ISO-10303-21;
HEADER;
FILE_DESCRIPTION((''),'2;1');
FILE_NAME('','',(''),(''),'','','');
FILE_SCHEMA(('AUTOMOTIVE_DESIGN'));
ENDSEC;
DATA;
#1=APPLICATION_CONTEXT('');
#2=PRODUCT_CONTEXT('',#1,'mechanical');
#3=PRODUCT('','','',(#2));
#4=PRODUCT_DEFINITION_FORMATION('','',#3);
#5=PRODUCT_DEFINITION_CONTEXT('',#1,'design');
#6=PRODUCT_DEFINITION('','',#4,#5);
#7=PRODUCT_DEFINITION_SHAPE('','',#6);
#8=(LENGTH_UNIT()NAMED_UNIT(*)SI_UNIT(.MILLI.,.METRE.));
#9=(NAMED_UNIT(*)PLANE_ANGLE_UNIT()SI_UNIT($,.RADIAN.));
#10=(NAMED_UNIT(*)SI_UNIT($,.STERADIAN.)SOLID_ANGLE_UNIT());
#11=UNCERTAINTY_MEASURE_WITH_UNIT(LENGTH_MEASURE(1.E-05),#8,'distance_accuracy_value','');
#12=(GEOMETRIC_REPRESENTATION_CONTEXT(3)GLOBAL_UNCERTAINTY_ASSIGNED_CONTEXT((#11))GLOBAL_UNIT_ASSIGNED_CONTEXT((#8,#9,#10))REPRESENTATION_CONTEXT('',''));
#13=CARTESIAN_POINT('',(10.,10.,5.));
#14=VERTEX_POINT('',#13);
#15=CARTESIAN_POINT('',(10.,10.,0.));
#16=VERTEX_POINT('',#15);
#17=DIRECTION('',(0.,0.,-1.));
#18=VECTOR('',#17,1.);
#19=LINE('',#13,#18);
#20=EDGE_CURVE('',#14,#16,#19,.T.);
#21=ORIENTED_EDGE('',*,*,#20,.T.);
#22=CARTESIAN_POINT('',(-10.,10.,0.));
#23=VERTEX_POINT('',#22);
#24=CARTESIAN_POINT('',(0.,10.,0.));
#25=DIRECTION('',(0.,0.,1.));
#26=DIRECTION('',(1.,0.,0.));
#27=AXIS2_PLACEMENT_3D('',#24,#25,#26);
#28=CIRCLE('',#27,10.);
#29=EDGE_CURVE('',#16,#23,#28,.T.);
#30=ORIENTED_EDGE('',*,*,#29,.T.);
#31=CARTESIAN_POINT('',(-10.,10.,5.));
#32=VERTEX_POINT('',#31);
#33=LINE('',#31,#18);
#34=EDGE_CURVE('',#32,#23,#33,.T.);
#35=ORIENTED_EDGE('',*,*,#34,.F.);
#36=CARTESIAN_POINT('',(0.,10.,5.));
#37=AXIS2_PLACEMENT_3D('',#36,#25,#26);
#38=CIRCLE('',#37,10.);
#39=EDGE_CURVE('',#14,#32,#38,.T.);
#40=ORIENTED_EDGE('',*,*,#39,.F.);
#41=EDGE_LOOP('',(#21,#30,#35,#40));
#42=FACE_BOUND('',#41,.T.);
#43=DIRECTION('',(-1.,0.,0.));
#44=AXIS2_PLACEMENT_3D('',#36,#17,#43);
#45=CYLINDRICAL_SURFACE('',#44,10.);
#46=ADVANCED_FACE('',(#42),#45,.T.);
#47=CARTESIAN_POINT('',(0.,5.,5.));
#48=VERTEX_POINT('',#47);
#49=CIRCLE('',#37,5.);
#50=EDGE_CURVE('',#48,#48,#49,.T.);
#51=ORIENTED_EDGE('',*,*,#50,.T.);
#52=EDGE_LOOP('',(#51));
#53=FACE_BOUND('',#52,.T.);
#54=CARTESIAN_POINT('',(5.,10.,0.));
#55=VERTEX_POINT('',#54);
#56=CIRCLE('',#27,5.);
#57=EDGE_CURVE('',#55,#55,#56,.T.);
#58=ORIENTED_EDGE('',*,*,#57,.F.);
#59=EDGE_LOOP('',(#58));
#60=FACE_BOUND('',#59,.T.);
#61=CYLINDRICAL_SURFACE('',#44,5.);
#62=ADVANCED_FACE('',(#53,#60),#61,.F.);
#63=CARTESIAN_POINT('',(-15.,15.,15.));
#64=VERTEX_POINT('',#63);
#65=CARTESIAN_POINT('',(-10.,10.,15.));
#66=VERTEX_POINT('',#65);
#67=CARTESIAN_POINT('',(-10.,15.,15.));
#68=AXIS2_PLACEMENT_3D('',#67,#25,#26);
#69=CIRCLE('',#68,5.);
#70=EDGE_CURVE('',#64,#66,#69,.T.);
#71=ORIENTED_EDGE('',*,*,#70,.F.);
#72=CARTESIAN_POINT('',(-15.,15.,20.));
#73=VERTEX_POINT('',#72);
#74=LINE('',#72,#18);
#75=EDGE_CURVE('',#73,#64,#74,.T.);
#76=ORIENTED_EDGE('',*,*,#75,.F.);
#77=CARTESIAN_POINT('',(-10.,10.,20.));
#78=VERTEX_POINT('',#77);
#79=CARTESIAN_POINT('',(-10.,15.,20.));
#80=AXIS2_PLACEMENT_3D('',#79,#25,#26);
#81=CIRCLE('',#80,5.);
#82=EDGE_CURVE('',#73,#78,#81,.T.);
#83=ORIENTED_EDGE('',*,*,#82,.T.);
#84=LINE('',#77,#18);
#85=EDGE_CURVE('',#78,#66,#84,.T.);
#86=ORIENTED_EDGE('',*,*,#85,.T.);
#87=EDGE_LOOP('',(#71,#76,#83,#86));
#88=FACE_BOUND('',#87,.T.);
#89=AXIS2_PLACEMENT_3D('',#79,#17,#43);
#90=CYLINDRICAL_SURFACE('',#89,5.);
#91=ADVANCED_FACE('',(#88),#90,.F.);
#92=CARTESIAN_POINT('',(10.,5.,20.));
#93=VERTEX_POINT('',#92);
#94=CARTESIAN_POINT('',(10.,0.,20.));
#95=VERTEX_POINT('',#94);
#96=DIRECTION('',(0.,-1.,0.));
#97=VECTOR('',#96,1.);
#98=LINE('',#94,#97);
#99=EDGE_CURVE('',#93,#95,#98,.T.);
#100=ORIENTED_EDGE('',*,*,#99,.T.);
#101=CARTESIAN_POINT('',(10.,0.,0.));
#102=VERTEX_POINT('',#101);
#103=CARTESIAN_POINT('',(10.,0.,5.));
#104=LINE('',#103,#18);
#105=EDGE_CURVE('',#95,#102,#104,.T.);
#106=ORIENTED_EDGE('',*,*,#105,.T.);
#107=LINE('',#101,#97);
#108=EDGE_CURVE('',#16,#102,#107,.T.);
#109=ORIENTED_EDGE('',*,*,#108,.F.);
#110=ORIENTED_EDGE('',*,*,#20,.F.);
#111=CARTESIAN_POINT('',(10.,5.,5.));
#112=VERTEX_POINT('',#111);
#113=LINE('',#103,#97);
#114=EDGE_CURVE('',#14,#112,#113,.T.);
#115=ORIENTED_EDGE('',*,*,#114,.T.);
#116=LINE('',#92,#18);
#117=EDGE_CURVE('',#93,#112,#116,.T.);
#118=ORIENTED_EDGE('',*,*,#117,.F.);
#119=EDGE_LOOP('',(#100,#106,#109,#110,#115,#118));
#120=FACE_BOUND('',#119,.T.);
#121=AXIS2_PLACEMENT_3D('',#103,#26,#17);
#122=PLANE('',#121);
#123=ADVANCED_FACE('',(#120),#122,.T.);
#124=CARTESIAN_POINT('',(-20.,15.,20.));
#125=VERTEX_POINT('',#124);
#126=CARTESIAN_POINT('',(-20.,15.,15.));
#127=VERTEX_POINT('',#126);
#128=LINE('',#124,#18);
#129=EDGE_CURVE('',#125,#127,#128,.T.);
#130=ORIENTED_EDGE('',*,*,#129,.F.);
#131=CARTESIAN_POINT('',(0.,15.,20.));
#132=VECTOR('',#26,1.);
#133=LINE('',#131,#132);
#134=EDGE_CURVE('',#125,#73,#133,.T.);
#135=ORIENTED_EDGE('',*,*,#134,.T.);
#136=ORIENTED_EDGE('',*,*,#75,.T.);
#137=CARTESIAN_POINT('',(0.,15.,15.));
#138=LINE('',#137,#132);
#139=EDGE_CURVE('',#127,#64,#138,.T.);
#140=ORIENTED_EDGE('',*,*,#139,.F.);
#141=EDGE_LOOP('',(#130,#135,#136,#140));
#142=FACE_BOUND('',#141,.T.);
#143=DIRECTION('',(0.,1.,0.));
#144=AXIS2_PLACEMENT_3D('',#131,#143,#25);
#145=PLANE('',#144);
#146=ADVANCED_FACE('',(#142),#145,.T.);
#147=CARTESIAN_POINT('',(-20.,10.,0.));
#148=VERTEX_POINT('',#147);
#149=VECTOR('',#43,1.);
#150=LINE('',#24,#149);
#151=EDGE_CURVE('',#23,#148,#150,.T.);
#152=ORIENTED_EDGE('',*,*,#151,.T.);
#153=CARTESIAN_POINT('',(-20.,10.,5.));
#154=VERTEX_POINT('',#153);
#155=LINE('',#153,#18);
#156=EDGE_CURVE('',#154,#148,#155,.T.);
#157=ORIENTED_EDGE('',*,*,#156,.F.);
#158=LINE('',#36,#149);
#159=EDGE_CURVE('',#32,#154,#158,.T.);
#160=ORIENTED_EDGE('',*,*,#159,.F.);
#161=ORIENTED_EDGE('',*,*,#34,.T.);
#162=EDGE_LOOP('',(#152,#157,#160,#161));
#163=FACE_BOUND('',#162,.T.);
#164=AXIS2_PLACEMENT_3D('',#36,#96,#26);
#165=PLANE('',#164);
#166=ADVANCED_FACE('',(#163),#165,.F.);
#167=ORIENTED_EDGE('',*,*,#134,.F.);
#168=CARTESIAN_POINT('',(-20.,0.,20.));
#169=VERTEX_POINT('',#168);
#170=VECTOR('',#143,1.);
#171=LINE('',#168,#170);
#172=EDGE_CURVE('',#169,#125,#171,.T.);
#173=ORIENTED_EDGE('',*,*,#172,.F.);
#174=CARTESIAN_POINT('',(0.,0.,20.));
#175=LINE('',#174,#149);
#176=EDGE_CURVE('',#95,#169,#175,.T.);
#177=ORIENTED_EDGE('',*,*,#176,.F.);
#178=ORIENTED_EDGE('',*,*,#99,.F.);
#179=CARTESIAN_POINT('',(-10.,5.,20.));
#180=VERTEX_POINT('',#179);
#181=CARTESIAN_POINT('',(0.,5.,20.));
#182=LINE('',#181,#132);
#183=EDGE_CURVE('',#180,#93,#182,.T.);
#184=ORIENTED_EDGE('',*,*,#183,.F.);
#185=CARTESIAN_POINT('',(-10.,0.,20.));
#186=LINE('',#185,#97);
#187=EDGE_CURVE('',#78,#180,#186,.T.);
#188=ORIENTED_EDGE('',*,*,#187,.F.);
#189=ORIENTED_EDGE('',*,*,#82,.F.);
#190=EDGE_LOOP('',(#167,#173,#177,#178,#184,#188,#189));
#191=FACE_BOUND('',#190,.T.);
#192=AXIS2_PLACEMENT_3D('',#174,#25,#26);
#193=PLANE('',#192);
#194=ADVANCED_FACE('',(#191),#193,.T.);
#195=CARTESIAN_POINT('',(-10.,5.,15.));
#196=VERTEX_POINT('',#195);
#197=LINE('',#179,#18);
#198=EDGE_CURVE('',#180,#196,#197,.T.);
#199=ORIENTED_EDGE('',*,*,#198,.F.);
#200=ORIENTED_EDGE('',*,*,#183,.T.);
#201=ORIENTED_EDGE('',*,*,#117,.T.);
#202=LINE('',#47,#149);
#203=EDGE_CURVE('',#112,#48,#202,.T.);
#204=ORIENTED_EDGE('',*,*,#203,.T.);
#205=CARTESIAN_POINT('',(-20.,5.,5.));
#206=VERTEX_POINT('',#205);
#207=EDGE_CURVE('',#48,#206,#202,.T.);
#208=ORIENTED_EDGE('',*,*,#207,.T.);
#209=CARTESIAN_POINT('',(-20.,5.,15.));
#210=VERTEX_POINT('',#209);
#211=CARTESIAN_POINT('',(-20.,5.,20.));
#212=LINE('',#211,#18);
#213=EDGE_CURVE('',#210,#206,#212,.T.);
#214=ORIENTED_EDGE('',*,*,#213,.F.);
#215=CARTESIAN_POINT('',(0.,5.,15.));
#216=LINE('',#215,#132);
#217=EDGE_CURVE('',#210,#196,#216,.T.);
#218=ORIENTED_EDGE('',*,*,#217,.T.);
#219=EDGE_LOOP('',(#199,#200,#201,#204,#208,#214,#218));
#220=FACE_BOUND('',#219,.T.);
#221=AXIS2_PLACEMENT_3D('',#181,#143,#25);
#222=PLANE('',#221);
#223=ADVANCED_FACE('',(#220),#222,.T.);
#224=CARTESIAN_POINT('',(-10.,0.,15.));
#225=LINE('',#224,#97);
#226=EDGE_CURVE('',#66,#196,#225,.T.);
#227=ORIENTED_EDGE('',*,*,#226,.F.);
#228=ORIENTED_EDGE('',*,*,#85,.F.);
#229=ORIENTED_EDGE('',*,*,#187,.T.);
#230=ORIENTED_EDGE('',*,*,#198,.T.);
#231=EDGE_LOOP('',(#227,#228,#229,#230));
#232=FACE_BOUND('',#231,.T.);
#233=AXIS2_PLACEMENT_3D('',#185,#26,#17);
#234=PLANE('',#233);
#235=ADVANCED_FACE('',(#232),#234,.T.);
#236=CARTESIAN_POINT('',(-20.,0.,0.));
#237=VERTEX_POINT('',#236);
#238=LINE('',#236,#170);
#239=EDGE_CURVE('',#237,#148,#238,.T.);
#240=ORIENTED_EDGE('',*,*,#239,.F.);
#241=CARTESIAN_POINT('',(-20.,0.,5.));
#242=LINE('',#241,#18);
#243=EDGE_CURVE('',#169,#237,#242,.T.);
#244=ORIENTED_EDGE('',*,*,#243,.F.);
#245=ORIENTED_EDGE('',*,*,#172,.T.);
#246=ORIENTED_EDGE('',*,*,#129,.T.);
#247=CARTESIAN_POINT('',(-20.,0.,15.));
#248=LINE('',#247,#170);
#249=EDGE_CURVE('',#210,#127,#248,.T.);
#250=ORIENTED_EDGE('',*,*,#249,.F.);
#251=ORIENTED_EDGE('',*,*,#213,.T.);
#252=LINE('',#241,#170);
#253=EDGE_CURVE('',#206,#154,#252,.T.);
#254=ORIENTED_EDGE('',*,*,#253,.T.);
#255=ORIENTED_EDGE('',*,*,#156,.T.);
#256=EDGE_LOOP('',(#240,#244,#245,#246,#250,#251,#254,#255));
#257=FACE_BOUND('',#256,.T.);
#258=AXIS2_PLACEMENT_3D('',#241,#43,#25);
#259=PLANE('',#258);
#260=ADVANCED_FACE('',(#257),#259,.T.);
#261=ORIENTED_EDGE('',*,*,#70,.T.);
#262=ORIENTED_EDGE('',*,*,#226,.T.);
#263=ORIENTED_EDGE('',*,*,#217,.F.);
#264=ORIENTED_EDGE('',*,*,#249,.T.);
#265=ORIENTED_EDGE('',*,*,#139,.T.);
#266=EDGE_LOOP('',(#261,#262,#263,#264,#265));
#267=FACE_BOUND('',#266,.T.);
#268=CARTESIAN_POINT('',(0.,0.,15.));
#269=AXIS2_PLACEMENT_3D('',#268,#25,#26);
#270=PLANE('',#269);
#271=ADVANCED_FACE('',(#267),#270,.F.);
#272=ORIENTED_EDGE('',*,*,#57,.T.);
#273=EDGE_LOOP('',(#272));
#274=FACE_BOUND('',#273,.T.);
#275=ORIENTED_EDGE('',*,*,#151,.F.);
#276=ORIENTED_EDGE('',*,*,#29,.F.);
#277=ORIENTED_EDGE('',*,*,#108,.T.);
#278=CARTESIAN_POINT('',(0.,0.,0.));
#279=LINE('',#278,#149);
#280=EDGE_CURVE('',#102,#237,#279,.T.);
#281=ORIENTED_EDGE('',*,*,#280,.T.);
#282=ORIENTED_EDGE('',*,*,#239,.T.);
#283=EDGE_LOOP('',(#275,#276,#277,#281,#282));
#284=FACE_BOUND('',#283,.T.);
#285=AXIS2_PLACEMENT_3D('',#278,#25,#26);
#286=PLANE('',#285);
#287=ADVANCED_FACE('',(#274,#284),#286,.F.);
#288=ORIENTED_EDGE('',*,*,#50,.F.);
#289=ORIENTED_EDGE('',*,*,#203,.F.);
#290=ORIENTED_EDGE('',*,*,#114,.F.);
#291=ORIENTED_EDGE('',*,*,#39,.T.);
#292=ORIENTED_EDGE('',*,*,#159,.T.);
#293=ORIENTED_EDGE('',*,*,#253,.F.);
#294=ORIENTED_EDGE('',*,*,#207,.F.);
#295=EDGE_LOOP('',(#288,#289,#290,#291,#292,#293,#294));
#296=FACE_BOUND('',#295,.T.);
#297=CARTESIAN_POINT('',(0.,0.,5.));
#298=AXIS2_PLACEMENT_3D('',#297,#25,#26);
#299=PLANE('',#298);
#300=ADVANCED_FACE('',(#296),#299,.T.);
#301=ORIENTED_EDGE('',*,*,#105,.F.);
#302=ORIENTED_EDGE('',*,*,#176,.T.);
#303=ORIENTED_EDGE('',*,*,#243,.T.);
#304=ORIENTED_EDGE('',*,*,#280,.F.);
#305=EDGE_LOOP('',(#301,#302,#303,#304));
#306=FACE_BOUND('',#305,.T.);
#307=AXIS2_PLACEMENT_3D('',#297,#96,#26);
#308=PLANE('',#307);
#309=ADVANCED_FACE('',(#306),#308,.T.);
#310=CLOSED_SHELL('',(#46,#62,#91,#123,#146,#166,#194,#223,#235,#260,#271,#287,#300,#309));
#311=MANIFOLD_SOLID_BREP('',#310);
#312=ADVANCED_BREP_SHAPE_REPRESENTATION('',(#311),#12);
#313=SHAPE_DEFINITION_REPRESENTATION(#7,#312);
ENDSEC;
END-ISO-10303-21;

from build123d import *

# Parameters (mm, degrees)
SKETCH_1_R      = 5
EXTRUDE_1_DEPTH = 5
SKETCH_1_6_W    = 30
SKETCH_1_6_H    = 5
EXTRUDE_3_DEPTH = 20
EXTRUDE_START   = 15
EXTRUDE_4_DEPTH = 5


with BuildPart() as part:
    # 草圖1 → 填料-伸長1 (new body)
    with BuildSketch(Plane.XY):
        with BuildLine():
            ThreePointArc((10, 10), (0, 20), (-10, 10))
            Line((-10, 10), (-20, 10))
            Line((-20, 10), (-20, 0))
            Line((-20, 0), (10, 0))
            Line((10, 0), (10, 10))
        make_face()
        with Locations((0, 10)):
            Circle(SKETCH_1_R, mode=Mode.SUBTRACT)
    extrude(amount=EXTRUDE_1_DEPTH)

    # 草圖1<6> → 填料-伸長3 (add)
    with BuildSketch(Plane.XY):
        with Locations((-5, 2.5)):
            Rectangle(SKETCH_1_6_W, SKETCH_1_6_H)
    extrude(amount=EXTRUDE_3_DEPTH)

    # 草圖1<7> → 填料-伸長4 (add)
    with BuildSketch(Plane.XY.offset(EXTRUDE_START)):
        with BuildLine():
            Line((-10, 5), (-10, 10))
            ThreePointArc((-10, 10), (-13.535533906, 11.464466094), (-15, 15))
            Line((-15, 15), (-20, 15))
            Line((-20, 15), (-20, 5))
            Line((-20, 5), (-10, 5))
        make_face()
    extrude(amount=EXTRUDE_4_DEPTH)


solid = part.part
